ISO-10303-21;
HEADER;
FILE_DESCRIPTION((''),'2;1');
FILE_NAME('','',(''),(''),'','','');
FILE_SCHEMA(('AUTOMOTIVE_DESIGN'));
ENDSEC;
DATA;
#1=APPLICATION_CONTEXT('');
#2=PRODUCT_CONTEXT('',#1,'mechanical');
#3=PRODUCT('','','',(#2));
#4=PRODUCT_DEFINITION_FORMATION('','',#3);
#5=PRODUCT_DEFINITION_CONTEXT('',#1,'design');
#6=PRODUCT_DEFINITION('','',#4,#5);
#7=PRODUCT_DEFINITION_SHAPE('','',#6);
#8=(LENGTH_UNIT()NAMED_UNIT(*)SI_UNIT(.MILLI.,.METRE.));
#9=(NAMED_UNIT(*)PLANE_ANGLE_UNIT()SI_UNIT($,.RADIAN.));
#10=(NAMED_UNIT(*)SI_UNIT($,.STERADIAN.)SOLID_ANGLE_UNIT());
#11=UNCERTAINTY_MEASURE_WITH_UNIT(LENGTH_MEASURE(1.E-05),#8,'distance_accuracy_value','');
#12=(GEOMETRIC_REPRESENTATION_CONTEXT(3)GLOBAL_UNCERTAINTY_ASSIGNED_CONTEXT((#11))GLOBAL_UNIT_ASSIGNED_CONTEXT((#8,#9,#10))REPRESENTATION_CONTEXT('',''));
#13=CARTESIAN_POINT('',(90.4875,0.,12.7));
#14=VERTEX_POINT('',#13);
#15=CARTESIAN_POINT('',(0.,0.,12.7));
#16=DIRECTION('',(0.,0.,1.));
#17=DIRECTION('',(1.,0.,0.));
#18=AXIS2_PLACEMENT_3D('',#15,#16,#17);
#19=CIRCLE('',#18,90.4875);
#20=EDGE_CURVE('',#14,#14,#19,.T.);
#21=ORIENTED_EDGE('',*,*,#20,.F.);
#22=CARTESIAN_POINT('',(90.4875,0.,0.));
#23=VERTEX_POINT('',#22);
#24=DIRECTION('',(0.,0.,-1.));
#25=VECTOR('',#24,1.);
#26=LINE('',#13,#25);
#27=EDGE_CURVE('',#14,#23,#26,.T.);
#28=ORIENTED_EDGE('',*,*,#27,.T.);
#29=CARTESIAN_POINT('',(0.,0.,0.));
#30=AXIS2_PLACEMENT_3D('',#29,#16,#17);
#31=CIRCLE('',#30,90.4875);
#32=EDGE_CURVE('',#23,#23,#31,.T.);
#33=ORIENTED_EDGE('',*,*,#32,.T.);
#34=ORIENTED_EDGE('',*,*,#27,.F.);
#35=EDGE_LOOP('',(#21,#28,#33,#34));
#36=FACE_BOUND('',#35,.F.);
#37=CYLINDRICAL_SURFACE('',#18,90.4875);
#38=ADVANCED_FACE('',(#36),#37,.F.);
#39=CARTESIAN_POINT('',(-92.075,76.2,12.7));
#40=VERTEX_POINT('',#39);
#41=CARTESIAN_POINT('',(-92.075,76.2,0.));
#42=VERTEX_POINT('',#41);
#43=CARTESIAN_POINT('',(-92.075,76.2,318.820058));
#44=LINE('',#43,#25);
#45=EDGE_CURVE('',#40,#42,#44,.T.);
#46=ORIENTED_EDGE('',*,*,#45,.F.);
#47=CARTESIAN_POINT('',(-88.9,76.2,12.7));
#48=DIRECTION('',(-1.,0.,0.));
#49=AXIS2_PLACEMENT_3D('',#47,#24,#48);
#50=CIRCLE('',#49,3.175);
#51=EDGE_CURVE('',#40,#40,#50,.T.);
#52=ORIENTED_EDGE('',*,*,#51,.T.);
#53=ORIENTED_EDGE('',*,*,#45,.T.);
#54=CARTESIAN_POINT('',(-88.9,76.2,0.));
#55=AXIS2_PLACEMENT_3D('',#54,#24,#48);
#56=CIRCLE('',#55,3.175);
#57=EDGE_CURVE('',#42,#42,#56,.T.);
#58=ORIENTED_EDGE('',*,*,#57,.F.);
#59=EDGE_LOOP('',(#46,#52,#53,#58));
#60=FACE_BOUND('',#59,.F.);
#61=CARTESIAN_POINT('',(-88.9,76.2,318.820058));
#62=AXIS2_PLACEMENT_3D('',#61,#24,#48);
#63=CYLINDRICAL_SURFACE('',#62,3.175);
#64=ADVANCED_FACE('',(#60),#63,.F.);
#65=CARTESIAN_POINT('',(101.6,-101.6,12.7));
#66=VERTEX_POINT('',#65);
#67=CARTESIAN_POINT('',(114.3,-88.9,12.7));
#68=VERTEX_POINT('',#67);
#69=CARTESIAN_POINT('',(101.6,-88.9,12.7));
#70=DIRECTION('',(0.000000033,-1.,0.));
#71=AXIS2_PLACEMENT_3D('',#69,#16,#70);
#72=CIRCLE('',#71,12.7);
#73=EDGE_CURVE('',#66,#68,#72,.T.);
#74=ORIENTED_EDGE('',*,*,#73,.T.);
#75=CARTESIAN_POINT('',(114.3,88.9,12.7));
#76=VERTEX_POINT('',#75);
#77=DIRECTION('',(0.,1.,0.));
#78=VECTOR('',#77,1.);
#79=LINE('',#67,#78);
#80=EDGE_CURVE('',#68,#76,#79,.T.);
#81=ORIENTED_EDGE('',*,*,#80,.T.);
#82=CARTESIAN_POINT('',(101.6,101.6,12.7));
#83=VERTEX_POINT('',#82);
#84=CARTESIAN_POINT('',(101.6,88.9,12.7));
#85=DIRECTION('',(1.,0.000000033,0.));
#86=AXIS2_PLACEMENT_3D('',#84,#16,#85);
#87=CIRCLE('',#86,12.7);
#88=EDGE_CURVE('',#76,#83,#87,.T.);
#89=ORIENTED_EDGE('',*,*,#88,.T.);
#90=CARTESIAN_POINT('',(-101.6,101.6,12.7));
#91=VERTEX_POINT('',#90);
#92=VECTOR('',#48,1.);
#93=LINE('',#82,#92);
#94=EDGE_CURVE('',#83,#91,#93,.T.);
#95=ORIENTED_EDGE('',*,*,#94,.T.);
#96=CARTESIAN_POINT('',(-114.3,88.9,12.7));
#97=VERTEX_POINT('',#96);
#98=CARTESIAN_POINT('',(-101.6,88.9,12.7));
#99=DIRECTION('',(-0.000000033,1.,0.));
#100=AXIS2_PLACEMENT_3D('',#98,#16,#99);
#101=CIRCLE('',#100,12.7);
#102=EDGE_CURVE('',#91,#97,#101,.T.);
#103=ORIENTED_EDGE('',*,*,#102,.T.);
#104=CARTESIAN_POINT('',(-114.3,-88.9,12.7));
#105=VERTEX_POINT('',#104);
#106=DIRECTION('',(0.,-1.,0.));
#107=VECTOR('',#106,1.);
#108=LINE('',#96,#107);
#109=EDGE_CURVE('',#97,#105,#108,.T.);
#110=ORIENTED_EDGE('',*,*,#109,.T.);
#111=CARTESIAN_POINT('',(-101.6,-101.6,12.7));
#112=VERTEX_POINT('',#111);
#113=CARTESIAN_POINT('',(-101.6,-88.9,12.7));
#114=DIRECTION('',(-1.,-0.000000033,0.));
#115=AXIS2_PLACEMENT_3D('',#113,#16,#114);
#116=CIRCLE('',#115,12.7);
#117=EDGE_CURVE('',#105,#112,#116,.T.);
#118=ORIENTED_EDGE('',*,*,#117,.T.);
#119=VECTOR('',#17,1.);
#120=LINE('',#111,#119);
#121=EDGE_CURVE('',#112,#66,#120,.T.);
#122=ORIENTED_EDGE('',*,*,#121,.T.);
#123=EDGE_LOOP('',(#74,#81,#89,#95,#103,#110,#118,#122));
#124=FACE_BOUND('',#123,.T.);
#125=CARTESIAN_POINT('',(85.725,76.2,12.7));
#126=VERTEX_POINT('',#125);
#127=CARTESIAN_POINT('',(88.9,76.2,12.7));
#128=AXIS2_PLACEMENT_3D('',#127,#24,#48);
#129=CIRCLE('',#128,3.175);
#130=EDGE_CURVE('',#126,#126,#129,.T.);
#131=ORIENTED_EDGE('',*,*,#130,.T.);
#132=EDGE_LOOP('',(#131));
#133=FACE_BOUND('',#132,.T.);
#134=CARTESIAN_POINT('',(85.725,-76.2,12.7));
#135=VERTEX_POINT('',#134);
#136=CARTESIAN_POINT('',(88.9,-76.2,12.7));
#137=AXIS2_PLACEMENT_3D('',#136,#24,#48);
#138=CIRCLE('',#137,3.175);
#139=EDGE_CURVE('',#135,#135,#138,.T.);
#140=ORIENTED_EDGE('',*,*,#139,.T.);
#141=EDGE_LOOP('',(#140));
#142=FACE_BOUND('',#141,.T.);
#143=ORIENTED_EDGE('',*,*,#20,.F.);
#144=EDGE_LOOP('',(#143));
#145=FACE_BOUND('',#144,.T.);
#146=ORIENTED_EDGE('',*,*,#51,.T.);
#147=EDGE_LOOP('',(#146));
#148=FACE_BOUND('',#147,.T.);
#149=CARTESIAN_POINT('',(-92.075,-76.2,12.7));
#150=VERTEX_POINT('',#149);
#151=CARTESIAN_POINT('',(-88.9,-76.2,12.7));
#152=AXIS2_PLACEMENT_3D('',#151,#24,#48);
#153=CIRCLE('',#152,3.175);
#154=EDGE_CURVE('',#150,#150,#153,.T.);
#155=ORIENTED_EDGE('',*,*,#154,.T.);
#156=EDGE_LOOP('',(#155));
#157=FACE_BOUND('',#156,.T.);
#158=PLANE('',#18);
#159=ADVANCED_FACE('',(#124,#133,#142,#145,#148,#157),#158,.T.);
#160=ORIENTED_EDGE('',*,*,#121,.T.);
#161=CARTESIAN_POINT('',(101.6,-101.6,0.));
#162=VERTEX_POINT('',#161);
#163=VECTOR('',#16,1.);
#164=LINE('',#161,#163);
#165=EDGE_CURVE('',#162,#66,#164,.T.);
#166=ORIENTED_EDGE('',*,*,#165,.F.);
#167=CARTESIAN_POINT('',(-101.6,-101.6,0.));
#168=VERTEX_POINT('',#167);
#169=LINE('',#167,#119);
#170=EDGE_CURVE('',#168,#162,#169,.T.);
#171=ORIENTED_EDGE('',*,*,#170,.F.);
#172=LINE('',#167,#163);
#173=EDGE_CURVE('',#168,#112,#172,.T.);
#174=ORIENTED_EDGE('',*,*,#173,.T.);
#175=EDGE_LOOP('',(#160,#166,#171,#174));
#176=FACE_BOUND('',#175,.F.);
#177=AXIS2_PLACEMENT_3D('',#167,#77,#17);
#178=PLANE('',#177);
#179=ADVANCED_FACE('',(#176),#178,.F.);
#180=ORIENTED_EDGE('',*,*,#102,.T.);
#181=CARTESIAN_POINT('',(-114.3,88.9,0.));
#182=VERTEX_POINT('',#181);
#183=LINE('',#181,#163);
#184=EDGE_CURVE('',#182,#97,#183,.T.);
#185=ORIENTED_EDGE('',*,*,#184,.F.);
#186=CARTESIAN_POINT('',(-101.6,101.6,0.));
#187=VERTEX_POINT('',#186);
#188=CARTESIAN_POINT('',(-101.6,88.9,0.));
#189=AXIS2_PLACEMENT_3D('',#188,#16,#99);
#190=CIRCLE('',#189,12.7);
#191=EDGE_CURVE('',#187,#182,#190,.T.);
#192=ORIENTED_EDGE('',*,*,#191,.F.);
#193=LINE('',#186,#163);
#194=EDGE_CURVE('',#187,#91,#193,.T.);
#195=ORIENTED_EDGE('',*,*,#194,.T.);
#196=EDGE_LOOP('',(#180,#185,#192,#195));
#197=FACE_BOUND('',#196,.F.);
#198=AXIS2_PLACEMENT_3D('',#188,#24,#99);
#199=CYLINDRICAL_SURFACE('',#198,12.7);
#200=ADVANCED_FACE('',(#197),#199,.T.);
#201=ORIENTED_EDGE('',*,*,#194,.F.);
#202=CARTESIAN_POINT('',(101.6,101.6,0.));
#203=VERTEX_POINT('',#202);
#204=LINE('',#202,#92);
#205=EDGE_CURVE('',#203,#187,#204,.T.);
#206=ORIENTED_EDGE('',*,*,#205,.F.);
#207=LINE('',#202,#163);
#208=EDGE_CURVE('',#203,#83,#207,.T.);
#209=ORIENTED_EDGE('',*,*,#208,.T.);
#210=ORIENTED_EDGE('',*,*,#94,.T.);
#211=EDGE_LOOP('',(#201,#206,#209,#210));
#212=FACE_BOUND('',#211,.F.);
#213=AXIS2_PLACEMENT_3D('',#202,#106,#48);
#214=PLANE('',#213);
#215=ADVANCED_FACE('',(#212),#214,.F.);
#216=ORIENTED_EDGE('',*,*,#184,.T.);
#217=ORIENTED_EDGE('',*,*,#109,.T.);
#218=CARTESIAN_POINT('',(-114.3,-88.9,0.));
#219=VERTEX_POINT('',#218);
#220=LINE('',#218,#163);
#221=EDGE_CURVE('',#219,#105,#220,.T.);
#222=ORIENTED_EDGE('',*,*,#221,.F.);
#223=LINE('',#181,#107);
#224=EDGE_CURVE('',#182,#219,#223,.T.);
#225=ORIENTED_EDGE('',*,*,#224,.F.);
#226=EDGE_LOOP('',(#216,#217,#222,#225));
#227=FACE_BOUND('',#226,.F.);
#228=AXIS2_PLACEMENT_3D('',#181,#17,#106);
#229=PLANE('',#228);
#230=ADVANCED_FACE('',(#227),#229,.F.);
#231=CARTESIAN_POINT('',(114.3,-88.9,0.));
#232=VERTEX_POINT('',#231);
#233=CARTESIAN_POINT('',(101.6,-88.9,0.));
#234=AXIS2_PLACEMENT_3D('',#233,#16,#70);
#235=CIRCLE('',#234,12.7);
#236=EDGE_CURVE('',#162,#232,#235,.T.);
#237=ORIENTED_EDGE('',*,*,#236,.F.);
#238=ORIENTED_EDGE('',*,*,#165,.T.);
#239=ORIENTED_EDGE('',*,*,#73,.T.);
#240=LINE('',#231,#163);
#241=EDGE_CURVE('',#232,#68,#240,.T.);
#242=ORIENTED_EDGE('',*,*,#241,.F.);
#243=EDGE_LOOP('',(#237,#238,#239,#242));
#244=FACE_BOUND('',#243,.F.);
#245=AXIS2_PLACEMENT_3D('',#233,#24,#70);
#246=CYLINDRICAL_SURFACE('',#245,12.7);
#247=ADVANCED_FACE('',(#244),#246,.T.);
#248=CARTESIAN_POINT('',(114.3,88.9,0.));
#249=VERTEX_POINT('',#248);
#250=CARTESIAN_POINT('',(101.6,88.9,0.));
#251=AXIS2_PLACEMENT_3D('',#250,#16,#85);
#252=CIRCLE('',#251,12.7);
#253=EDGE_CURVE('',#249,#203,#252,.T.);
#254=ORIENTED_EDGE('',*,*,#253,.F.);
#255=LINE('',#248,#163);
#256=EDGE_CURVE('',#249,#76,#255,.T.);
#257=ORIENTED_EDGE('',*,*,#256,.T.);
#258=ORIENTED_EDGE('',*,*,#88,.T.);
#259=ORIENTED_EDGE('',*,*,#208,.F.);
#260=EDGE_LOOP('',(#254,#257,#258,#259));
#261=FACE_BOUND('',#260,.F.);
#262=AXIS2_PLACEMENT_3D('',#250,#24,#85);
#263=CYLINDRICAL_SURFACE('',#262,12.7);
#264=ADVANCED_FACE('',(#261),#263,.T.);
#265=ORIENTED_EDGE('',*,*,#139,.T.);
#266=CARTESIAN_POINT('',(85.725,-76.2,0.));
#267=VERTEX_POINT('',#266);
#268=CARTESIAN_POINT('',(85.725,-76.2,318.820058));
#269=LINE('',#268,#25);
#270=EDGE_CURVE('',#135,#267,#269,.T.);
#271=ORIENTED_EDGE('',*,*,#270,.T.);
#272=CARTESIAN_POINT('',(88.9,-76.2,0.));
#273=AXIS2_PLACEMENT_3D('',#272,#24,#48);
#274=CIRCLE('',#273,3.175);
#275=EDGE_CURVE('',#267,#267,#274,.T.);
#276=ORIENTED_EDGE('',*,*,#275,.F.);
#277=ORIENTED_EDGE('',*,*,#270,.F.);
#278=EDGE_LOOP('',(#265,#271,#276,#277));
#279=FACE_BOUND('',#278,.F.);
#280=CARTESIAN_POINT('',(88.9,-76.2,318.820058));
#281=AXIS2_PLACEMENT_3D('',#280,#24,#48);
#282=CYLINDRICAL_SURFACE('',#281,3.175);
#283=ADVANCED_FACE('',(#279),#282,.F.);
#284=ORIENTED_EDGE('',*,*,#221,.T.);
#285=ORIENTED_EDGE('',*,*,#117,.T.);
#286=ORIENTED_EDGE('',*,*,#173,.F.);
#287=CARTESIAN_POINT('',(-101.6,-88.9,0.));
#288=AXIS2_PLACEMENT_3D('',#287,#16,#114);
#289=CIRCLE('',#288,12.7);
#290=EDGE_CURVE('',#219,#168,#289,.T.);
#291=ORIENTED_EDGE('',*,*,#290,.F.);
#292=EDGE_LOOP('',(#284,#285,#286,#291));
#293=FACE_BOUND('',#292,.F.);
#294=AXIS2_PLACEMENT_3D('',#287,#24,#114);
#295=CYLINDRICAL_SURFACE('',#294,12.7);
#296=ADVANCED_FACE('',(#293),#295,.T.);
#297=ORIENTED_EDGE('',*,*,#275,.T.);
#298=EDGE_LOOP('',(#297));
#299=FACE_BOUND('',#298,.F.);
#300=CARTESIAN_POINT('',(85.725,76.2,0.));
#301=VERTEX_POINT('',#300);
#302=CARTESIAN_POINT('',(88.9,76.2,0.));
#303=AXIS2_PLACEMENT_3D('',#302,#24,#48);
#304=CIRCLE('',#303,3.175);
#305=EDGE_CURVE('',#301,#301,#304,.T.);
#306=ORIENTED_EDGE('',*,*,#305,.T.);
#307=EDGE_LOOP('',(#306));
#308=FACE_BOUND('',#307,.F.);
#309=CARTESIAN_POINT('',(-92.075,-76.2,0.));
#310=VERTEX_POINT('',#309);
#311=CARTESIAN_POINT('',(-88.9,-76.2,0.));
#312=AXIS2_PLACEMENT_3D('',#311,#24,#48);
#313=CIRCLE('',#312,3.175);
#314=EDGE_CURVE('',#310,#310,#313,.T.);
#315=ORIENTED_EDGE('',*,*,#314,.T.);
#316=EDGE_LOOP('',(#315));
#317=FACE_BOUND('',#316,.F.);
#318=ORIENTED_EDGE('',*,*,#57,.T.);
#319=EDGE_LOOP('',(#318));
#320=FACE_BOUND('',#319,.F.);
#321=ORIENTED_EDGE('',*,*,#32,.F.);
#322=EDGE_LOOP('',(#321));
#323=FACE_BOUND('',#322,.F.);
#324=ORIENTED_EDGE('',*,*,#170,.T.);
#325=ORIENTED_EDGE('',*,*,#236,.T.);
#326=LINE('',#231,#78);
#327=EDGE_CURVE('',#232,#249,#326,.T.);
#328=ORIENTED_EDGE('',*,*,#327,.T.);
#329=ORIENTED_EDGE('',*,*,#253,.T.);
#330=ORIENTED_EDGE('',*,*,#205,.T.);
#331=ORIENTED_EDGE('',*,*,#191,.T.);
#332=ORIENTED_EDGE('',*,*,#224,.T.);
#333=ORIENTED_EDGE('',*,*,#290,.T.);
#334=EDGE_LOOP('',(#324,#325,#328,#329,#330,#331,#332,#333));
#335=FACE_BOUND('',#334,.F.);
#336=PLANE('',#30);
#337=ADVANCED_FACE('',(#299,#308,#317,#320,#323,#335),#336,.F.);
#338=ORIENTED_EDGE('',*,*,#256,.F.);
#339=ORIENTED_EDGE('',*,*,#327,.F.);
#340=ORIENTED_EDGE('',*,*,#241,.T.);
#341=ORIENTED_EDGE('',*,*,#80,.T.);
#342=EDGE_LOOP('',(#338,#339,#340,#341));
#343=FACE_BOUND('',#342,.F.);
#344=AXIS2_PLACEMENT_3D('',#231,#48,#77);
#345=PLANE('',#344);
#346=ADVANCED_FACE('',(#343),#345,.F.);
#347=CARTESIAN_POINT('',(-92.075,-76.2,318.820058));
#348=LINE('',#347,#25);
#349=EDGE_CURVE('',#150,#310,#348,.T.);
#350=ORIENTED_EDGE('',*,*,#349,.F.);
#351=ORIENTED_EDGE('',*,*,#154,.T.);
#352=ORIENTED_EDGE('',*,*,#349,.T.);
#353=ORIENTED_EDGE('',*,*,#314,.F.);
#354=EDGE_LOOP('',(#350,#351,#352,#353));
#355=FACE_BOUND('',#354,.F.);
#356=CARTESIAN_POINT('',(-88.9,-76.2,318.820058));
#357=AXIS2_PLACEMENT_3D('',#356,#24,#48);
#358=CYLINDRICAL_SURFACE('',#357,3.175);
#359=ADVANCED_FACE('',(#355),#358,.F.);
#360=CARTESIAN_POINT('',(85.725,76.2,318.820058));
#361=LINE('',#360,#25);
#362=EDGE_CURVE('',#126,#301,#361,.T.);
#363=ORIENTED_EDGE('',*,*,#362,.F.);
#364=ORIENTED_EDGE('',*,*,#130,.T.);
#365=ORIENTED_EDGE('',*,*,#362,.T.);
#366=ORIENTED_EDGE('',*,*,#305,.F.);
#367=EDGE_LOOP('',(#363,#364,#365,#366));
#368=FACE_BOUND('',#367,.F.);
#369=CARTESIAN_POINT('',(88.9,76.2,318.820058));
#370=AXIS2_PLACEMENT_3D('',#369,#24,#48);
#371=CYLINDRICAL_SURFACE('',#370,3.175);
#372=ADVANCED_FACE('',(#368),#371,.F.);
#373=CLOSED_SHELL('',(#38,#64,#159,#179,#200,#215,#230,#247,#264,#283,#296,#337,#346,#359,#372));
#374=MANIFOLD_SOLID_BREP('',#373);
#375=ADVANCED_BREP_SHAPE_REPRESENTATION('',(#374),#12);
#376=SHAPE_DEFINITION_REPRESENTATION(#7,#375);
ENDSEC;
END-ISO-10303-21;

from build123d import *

# Parameters (mm, degrees)
F1_DEPTH = 12.7
F2_R     = 90.4875
F3_DEPTH = 12.7
F5_D     = 6.35


with BuildPart() as f1:
    # F0 (on Top) → F1 (new body)
    with BuildSketch(Plane.XY):
        with BuildLine():
            Line((101.6, 101.6), (-101.6, 101.6))
            ThreePointArc((-101.6, 101.6), (-110.580256, 97.880256), (-114.3, 88.9))
            Line((-114.3, 88.9), (-114.3, -88.9))
            ThreePointArc((-114.3, -88.9), (-110.580256, -97.880256), (-101.6, -101.6))
            Line((-101.6, -101.6), (101.6, -101.6))
            ThreePointArc((101.6, -101.6), (110.580256, -97.880256), (114.3, -88.9))
            Line((114.3, -88.9), (114.3, 88.9))
            ThreePointArc((114.3, 88.9), (110.580256, 97.880256), (101.6, 101.6))
        make_face()
    extrude(amount=F1_DEPTH)

    # F2 (on face) → F3 (cut)
    with BuildSketch(Plane.XY.offset(12.7)):
        Circle(F2_R)
    extrude(amount=-F3_DEPTH, mode=Mode.SUBTRACT)

    # F5 (through all)
    with Locations(Plane.XY.offset(12.7)):
        with Locations((-88.9, 76.2), (88.9, 76.2), (88.9, -76.2), (-88.9, -76.2)):
            Hole(F5_D / 2)


solid = f1.part
